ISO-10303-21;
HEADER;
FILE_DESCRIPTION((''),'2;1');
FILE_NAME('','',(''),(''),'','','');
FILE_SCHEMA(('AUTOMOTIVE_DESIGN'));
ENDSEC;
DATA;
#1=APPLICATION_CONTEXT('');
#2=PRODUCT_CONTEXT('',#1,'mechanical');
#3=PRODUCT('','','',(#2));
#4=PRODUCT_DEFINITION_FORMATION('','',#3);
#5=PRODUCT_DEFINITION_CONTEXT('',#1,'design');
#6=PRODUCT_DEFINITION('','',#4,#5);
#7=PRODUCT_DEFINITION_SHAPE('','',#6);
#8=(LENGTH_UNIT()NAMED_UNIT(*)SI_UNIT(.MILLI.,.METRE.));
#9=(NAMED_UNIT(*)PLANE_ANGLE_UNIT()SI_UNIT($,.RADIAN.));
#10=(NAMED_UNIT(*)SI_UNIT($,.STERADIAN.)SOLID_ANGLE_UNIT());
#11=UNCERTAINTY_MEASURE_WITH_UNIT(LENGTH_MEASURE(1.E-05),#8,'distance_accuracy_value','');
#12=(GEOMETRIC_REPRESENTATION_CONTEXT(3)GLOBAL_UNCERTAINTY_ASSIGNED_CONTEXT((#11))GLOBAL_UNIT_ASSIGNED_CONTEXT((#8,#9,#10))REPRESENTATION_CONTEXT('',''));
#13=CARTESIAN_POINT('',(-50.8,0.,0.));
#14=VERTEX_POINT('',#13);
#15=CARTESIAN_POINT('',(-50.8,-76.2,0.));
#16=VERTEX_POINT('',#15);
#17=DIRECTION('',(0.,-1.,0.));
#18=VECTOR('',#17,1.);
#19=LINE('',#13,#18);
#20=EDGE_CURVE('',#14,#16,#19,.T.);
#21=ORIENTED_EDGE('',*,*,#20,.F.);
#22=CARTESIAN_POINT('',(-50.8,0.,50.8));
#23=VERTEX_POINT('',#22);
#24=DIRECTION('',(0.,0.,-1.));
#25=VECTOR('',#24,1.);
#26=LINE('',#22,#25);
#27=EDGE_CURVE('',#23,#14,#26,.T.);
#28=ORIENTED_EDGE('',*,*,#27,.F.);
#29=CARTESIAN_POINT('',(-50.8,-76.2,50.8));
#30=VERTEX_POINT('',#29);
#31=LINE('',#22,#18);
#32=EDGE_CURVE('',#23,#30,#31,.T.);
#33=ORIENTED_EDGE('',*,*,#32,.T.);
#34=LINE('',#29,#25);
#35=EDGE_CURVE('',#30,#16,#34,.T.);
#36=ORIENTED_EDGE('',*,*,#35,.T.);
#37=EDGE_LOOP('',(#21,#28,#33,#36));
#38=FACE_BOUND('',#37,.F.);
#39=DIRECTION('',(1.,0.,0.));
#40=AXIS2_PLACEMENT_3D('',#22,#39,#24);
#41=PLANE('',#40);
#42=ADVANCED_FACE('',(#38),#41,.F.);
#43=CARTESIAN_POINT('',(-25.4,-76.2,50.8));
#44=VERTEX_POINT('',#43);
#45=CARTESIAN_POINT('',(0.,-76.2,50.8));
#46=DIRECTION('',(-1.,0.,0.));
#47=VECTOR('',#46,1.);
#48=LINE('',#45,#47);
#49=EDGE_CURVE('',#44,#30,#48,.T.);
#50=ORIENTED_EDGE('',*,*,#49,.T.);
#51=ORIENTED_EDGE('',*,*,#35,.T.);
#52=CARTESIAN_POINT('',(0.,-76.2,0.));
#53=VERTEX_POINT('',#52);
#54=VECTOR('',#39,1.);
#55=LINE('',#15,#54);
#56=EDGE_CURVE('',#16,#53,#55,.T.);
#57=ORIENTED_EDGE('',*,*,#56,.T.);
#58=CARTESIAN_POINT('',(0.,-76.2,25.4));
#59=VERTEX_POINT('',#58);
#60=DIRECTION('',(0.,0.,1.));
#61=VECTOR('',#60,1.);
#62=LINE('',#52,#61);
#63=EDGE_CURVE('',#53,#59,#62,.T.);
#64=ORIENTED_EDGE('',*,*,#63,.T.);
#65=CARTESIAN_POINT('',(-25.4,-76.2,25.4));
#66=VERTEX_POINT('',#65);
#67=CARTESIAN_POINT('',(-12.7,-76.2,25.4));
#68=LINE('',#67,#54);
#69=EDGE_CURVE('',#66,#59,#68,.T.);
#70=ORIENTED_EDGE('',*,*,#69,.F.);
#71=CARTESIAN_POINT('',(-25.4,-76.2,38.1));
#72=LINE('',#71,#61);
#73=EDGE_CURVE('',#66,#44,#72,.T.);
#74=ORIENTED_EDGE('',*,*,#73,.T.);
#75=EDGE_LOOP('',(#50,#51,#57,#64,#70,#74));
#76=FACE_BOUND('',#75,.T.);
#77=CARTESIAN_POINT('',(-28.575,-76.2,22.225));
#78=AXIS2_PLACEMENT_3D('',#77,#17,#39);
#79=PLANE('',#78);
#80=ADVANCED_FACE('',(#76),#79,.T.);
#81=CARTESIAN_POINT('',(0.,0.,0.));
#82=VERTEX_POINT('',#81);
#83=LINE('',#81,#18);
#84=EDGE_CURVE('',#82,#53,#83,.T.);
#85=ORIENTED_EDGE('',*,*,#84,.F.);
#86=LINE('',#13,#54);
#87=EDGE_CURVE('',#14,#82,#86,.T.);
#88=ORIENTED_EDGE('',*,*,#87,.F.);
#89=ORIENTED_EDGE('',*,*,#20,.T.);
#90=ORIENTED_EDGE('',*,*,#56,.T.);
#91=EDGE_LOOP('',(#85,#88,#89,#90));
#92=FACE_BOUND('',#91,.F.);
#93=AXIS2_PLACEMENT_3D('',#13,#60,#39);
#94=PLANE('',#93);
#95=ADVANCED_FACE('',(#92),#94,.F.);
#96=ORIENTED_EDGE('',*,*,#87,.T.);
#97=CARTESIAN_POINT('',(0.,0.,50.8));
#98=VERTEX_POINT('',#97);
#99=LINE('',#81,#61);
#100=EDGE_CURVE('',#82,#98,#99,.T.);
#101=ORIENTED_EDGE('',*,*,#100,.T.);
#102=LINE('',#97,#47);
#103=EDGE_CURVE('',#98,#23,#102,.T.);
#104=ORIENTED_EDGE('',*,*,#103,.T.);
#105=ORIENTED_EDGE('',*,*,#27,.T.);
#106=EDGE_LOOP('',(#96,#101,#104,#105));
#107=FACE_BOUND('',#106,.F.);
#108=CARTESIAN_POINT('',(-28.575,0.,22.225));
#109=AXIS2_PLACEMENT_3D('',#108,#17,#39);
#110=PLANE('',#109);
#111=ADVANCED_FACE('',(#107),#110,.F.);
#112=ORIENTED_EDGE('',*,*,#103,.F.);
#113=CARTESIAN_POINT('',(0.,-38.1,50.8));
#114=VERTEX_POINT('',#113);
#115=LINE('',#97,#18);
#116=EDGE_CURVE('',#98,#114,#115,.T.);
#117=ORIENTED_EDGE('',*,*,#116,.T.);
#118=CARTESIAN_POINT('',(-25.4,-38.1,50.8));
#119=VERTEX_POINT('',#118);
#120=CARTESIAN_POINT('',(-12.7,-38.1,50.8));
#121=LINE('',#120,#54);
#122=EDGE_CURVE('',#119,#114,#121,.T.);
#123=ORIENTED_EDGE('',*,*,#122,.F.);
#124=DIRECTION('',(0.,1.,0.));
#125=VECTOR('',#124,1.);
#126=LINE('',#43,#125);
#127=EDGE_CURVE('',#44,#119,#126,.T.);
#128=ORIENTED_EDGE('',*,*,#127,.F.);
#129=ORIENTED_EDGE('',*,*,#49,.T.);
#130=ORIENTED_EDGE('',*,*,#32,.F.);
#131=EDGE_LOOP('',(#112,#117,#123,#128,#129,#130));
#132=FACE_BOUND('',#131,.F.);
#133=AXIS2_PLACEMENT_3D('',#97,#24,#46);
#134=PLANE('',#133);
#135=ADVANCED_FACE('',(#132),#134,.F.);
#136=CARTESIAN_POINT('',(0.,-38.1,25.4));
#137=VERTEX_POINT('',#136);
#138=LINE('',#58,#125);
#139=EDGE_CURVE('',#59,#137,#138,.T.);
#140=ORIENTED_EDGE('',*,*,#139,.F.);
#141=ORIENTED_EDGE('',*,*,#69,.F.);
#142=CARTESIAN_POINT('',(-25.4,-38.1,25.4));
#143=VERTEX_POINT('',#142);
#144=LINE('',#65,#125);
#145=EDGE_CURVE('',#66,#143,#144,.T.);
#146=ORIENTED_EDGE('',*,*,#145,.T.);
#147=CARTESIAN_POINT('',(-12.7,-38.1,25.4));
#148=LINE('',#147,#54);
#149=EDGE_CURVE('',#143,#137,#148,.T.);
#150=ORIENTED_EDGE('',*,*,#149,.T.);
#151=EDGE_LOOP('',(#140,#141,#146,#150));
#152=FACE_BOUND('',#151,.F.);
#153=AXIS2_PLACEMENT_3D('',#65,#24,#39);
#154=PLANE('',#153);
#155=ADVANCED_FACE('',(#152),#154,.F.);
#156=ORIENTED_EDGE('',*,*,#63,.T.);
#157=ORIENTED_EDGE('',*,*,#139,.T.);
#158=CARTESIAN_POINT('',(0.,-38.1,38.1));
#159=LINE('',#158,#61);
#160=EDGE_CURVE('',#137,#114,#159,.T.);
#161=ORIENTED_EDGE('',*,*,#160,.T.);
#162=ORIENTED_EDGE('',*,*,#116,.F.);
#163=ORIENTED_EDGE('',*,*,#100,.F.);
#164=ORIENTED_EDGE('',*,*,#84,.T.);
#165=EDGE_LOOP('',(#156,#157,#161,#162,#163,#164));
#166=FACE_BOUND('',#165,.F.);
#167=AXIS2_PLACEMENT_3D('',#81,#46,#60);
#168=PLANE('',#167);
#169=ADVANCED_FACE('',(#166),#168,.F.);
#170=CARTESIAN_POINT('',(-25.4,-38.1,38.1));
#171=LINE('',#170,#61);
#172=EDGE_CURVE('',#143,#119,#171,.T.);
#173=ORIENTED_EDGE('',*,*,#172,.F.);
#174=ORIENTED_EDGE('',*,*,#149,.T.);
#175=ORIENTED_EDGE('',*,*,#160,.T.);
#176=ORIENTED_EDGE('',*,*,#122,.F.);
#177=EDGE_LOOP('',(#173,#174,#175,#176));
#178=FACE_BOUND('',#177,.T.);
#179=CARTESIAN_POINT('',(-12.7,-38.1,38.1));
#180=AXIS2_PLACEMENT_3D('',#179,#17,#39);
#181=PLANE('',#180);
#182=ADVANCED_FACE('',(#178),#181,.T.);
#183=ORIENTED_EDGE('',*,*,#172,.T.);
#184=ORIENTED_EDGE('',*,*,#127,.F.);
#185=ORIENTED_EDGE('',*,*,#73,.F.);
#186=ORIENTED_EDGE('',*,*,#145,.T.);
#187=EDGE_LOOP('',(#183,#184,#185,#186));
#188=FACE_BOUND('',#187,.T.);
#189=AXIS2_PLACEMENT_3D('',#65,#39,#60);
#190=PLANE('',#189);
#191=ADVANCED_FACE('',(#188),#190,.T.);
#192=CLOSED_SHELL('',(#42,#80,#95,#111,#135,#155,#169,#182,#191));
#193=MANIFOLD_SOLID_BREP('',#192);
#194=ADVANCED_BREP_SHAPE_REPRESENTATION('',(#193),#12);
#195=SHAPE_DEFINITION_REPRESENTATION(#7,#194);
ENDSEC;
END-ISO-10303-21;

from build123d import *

# Parameters (mm, degrees)
F0_W     = 25.4
F0_H     = 25.4
F1_DEPTH = 76.2
F2_W     = 25.4
F2_H     = 25.4
F3_DEPTH = 38.1


with BuildPart() as f1:
    # F0 (on Front) → F1 (new body)
    with BuildSketch(Plane.XZ):
        Polygon((-50.8, 0), (0, 0), (0, 25.4), (-25.4, 25.4), (-25.4, 50.8), (-50.8, 50.8), align=None)
        with Locations((-12.7, 38.1)):
            Rectangle(F0_W, F0_H)
    extrude(amount=F1_DEPTH)

    # F2 (on face) → F3 (cut)
    with BuildSketch(Plane.XZ.offset(76.2)):
        with Locations((-12.7, 38.1)):
            Rectangle(F2_W, F2_H)
    extrude(amount=-F3_DEPTH, mode=Mode.SUBTRACT)


solid = f1.part
